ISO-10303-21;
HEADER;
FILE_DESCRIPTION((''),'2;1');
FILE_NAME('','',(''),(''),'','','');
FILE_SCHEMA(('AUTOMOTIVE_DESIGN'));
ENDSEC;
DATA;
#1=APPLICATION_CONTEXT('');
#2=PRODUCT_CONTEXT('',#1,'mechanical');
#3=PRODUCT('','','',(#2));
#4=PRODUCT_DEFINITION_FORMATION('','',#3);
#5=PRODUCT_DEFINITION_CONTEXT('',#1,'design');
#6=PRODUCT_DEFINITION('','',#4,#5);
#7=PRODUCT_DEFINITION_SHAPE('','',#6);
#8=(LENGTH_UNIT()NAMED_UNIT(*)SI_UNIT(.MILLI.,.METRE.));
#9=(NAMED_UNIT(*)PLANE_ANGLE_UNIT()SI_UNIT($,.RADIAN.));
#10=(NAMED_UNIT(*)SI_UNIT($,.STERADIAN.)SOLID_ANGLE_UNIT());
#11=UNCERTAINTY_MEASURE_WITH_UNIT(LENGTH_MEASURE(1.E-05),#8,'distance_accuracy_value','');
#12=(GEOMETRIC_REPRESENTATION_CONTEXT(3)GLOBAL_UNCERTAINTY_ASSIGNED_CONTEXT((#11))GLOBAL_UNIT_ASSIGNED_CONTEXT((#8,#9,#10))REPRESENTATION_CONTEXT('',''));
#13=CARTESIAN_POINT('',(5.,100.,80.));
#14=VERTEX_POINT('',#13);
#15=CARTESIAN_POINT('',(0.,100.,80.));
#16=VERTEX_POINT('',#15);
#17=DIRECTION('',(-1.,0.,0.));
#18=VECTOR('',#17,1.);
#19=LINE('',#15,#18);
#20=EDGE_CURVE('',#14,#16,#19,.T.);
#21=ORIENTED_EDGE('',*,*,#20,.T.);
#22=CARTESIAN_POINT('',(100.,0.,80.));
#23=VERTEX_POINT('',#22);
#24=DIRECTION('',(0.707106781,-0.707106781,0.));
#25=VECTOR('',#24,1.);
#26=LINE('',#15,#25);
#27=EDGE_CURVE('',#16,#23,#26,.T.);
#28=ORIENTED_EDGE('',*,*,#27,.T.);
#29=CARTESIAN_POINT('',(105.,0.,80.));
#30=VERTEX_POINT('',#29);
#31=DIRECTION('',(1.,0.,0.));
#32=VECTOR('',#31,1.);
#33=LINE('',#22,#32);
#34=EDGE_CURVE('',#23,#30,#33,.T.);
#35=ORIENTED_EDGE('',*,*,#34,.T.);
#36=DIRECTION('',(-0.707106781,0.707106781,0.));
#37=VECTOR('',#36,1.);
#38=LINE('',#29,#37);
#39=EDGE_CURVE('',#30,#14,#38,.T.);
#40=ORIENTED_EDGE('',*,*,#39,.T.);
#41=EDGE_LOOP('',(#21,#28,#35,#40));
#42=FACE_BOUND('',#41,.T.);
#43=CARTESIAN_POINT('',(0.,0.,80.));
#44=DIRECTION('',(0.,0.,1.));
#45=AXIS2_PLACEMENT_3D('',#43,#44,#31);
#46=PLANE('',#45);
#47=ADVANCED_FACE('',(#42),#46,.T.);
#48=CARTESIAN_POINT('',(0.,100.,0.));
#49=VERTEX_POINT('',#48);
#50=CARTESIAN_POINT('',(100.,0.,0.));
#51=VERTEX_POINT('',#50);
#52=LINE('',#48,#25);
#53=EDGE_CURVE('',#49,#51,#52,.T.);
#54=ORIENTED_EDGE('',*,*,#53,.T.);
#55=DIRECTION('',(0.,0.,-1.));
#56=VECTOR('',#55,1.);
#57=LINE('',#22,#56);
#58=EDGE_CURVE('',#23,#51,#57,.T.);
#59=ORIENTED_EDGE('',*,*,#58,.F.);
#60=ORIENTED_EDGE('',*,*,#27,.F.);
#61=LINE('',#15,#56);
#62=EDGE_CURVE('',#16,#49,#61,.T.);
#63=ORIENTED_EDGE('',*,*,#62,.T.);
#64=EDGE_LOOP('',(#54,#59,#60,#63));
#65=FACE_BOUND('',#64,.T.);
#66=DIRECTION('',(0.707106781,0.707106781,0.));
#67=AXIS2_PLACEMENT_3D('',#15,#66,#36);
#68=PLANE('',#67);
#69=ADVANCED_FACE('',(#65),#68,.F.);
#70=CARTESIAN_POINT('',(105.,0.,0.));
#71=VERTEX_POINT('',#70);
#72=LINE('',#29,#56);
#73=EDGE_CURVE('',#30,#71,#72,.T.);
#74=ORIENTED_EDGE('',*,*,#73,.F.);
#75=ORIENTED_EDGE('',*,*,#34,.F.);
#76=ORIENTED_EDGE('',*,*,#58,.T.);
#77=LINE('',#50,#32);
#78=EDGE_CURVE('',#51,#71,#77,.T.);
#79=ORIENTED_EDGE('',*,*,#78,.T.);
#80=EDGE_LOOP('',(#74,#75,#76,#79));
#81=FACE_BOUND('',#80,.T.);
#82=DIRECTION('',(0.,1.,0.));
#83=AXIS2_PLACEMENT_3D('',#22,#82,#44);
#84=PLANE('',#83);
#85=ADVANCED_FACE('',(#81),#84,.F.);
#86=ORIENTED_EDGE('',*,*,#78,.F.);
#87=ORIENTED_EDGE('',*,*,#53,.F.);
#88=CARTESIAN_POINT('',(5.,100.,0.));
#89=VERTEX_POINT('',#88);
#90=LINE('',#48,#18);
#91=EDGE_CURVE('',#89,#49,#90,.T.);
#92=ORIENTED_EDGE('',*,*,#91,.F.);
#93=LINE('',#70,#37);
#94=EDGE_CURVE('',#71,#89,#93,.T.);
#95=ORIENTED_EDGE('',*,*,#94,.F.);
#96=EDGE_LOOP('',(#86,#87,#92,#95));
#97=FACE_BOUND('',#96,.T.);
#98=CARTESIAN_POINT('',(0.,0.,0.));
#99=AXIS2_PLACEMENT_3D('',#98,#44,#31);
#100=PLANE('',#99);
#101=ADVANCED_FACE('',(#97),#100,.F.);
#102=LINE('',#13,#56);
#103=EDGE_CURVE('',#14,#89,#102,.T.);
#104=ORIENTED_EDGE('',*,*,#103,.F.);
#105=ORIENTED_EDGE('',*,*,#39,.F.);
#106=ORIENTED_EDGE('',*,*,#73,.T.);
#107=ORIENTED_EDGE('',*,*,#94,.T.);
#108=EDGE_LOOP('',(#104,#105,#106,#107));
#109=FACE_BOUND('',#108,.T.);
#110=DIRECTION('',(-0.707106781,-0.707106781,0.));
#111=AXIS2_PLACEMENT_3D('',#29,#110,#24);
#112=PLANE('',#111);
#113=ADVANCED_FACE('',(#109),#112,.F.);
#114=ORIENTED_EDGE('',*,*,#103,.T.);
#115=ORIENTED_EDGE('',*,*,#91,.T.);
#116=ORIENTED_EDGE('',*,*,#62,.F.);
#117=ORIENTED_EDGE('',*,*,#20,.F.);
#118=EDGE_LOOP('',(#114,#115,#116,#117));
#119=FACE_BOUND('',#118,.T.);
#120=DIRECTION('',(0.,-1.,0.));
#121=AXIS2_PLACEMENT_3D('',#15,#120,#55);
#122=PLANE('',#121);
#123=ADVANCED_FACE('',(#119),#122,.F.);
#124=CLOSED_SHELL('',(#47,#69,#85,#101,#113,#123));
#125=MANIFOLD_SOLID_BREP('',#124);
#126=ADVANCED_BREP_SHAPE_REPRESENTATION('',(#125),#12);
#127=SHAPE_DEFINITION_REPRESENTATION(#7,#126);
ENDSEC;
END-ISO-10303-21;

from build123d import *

# Parameters (mm, degrees)
BOSS_EXTRUDE1_DEPTH = 80


with BuildPart() as part:
    # Sketch1 → Boss-Extrude1 (new body)
    with BuildSketch(Plane.XY):
        Polygon((0, 100), (100, 0), (105, 0), (5, 100), align=None)
    extrude(amount=BOSS_EXTRUDE1_DEPTH)


solid = part.part
